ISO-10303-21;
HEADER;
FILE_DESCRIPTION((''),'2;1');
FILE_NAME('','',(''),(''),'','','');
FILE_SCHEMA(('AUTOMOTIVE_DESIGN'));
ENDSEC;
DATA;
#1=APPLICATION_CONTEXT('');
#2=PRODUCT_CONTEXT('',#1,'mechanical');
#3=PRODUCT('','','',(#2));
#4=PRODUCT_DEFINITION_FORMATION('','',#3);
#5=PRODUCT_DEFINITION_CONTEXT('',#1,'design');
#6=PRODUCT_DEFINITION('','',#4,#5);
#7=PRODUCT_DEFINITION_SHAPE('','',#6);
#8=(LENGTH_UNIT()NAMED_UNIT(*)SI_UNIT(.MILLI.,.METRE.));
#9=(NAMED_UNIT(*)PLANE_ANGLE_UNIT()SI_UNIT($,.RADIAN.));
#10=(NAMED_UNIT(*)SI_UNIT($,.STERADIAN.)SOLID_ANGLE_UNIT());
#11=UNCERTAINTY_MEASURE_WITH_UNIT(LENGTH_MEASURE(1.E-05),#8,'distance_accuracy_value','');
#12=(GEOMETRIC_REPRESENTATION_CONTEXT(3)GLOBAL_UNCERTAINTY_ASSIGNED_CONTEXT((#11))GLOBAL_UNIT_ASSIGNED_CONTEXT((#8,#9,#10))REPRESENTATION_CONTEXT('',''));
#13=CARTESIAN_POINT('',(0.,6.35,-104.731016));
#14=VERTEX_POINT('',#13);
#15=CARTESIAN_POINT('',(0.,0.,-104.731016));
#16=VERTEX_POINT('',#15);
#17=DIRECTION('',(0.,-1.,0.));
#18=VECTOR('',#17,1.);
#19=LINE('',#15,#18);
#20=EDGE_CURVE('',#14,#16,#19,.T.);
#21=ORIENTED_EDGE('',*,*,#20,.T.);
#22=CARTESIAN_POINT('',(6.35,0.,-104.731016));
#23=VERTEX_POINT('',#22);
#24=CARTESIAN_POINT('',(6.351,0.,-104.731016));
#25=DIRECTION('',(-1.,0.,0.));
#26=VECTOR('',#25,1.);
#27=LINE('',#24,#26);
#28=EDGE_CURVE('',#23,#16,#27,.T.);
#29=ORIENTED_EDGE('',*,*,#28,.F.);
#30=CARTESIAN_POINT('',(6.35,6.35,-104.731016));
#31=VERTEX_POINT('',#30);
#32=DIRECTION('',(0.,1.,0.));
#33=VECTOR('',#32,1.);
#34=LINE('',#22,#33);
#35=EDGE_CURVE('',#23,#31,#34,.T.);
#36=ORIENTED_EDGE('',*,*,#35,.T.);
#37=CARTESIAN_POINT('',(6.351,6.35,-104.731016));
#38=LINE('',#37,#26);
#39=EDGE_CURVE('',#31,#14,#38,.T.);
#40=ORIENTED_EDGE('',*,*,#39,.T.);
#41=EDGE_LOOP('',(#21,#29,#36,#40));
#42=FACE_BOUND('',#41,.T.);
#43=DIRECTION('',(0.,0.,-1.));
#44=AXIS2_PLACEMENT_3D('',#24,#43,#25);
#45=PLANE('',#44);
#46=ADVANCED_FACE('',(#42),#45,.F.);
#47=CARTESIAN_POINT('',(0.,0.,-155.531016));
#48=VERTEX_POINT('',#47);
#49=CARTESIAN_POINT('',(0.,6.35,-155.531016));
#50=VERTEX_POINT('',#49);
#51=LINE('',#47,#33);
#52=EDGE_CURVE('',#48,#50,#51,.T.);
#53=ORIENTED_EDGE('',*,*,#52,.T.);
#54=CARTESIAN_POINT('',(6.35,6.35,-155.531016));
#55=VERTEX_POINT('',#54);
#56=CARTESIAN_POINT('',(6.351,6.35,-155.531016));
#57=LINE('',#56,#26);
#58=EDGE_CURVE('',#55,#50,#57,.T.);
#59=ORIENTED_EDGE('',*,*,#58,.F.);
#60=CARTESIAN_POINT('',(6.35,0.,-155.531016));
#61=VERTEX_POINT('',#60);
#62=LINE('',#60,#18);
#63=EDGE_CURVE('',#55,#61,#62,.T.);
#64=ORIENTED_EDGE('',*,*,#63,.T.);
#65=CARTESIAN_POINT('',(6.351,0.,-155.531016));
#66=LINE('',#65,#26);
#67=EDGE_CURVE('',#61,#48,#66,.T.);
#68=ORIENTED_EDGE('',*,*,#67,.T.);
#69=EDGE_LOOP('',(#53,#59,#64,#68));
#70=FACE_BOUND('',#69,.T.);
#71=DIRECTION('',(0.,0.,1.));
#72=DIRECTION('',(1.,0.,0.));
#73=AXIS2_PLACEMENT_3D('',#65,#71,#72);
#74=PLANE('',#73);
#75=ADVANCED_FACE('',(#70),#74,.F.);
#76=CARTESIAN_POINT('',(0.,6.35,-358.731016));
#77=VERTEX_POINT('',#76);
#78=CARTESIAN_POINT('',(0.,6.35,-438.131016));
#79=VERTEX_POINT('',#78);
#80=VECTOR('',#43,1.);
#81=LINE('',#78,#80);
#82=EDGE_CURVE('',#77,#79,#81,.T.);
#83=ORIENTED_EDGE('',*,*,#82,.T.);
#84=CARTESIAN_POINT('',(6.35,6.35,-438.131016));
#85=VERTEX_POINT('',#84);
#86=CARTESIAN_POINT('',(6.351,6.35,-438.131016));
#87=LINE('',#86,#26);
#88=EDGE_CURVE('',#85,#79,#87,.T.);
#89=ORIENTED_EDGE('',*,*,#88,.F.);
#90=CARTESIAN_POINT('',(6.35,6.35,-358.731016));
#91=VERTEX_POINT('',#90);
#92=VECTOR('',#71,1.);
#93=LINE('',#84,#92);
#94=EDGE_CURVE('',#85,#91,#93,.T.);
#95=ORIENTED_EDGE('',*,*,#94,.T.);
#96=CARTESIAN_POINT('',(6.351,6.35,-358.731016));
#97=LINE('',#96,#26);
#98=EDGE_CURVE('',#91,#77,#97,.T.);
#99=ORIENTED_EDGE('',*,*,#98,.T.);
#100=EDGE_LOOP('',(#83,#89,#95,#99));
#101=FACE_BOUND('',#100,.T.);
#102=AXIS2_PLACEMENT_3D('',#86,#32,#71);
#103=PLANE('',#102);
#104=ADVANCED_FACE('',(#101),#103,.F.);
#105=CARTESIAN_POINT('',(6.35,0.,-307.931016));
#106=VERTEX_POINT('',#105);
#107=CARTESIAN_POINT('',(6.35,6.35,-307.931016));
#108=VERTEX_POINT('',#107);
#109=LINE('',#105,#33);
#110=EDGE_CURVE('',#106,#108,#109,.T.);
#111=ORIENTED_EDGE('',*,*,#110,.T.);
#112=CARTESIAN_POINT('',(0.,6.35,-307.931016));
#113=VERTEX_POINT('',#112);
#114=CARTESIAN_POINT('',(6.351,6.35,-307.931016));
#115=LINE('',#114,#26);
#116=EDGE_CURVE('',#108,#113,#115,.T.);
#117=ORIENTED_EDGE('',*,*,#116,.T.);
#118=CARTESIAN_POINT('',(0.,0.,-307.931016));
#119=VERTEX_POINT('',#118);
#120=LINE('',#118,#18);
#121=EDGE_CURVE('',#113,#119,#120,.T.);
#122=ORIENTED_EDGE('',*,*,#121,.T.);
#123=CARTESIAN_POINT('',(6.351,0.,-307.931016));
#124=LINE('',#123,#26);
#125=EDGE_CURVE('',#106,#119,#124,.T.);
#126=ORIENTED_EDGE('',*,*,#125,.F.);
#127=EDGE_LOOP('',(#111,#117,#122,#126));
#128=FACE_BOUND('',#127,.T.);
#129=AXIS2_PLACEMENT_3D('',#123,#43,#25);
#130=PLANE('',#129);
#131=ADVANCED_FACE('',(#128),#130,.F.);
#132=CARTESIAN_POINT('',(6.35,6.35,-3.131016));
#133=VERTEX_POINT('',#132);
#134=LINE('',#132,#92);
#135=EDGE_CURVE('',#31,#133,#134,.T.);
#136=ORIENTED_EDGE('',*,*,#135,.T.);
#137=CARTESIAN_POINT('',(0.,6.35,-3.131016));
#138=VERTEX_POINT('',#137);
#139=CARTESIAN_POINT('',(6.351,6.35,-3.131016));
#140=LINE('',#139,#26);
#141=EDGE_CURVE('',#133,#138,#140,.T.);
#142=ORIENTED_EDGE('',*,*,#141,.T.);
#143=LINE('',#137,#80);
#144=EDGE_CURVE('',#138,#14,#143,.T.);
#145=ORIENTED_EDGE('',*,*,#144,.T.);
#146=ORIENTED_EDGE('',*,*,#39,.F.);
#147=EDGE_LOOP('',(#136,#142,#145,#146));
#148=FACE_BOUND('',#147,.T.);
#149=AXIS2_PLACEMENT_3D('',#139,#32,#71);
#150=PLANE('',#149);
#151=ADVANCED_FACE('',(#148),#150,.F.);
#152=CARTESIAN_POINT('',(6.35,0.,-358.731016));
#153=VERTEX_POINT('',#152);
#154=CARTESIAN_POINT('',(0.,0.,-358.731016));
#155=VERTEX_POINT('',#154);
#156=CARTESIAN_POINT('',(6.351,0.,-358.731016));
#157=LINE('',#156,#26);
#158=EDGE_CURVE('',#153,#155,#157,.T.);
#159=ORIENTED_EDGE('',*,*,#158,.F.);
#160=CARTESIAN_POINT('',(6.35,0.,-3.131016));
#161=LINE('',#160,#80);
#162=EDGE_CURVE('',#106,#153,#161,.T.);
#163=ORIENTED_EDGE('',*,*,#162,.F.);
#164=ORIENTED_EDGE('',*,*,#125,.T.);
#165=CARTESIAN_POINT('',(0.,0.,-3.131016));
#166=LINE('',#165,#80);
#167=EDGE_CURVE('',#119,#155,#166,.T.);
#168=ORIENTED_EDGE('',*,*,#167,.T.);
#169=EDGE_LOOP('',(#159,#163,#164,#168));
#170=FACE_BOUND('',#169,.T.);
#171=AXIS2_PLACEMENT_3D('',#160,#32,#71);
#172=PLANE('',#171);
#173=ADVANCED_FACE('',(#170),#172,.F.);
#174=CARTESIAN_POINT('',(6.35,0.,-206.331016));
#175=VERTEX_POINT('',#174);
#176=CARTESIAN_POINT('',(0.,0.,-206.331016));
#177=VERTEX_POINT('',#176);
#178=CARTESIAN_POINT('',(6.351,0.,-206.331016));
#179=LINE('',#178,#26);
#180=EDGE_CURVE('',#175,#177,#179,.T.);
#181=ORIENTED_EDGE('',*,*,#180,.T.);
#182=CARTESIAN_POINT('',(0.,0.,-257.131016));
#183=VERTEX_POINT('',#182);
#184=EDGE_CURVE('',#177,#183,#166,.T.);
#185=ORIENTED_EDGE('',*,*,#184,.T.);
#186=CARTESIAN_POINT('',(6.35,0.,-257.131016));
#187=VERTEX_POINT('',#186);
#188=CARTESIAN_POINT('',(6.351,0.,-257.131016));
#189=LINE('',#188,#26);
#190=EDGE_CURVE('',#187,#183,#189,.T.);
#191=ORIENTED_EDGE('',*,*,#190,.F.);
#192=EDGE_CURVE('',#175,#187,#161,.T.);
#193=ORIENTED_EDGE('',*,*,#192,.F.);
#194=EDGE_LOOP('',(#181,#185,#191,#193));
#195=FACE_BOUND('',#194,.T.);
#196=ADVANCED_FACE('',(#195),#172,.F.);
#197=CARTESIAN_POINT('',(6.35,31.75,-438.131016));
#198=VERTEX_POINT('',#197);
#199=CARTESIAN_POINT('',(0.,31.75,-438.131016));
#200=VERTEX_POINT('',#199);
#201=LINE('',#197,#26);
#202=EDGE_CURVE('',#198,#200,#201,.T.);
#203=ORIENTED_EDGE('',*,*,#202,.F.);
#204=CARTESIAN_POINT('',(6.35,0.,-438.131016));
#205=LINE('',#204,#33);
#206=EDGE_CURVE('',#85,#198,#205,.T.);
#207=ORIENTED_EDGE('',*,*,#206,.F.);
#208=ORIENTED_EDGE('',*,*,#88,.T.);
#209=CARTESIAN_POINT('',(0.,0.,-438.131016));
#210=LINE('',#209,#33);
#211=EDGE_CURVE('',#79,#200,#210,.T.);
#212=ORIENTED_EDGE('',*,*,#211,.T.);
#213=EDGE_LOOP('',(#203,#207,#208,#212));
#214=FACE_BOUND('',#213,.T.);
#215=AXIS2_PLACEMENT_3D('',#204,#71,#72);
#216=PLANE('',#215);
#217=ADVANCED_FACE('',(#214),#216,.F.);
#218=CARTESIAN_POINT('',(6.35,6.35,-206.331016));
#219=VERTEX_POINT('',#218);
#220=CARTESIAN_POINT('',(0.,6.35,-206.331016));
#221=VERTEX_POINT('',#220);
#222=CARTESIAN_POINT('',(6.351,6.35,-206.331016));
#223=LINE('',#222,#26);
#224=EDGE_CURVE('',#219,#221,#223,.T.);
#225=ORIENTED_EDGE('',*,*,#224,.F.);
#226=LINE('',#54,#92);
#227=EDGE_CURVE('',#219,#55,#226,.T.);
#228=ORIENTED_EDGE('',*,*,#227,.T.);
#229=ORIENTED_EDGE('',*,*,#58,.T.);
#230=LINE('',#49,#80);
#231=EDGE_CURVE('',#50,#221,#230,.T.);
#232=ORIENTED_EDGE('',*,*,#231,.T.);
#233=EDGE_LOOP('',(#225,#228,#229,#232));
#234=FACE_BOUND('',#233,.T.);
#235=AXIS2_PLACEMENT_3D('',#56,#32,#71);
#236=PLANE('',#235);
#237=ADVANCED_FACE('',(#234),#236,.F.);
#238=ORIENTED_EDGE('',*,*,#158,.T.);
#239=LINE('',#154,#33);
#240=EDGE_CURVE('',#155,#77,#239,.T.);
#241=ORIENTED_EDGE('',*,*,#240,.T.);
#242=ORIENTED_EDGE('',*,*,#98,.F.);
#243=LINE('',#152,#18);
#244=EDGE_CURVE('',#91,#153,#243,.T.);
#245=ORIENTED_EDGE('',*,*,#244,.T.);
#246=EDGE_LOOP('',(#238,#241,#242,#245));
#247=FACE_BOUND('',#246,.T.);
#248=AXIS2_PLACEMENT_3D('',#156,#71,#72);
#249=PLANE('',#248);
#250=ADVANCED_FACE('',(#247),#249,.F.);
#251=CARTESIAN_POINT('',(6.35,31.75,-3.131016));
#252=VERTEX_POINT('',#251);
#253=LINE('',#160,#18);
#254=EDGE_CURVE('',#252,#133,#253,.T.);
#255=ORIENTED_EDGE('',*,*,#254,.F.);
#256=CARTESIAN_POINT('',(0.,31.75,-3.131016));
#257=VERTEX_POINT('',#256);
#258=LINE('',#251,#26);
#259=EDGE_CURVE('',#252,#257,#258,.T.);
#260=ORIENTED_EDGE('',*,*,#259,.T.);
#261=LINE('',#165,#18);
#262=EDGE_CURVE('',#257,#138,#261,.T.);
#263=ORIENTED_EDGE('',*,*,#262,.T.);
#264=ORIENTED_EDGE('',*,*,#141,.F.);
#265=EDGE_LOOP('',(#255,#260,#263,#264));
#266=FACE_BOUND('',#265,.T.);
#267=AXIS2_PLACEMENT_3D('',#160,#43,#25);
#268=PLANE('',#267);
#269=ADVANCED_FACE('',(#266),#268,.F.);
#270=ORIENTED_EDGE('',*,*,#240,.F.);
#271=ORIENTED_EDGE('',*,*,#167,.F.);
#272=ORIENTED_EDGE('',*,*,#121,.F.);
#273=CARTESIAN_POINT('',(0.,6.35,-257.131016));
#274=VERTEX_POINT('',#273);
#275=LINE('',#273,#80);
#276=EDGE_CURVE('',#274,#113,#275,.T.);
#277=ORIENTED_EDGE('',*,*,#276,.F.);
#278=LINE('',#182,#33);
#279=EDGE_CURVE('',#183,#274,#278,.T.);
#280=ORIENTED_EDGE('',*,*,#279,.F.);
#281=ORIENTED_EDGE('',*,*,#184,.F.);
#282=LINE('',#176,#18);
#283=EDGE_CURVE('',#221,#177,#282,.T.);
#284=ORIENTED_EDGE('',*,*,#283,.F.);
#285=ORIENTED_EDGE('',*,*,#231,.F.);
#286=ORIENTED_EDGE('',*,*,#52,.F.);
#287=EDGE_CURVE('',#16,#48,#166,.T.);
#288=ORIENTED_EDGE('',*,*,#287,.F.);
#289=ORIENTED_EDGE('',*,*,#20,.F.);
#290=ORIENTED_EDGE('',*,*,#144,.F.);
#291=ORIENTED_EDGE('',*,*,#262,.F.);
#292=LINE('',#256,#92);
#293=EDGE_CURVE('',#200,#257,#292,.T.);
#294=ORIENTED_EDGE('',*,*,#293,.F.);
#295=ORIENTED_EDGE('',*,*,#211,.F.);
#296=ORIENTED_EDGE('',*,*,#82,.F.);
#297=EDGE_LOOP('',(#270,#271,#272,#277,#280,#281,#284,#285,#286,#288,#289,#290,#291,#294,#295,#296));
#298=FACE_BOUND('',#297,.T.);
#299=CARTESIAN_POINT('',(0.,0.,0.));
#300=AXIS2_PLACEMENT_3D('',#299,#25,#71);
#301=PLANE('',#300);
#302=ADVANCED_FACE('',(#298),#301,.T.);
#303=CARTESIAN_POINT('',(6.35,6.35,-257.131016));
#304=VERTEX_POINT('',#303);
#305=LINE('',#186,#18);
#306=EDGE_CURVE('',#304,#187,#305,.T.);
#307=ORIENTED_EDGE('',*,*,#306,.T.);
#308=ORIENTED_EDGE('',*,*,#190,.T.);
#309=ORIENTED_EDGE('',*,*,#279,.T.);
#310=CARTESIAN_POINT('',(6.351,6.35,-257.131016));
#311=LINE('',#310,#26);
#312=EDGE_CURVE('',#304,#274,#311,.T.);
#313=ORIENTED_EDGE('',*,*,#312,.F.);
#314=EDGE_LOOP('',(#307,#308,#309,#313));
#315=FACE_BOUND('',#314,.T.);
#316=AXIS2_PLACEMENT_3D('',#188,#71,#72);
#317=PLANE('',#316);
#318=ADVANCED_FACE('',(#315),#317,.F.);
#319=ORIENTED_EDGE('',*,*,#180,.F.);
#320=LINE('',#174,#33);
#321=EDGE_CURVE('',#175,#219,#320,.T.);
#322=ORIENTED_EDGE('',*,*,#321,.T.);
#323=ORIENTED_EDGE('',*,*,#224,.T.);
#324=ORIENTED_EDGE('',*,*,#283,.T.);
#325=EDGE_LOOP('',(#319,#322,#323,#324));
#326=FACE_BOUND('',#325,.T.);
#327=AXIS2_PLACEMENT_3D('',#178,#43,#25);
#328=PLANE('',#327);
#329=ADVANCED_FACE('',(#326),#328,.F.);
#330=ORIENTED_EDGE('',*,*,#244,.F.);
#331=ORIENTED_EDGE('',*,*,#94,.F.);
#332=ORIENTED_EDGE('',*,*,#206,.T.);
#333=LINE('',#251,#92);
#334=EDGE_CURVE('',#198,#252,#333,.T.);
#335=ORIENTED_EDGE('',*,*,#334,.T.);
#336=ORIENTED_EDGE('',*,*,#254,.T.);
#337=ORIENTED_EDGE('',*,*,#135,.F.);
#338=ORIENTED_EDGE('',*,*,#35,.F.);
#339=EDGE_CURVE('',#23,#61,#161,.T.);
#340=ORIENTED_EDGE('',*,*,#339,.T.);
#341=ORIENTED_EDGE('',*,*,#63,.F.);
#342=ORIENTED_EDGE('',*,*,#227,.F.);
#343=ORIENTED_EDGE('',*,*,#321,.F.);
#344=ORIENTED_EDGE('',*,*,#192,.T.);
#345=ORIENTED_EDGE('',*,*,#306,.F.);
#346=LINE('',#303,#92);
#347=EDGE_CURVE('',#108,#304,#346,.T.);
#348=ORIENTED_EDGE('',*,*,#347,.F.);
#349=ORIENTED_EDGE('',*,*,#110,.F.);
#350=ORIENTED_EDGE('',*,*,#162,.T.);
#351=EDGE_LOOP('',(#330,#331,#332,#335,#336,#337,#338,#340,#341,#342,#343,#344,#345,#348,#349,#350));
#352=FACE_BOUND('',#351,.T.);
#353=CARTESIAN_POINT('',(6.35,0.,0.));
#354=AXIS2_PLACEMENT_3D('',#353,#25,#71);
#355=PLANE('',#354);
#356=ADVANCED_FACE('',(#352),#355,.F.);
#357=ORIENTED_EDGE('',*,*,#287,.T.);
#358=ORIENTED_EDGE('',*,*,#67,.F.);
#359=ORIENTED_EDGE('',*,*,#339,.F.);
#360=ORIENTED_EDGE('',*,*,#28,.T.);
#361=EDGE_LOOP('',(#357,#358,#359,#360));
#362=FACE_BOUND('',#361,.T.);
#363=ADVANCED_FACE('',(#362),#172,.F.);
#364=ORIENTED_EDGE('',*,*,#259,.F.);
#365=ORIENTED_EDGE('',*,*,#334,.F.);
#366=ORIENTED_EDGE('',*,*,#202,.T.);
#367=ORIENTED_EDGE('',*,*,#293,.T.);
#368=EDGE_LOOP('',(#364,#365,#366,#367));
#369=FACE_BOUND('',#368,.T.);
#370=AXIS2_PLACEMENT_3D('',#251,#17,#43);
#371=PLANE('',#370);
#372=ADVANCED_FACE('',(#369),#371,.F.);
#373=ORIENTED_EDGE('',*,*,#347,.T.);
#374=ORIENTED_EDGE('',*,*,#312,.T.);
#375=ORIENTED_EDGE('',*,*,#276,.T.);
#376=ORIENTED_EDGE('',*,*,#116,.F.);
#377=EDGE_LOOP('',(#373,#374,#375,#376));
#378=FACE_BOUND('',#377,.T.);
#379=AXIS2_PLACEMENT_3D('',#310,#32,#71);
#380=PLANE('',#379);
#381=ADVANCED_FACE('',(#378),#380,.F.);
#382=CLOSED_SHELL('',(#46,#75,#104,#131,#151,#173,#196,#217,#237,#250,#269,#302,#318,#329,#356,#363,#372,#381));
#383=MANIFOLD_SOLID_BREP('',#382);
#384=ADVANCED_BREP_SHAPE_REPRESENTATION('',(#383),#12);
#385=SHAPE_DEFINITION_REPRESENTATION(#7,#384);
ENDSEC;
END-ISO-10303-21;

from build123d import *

# Parameters (mm, degrees)
SKETCH1_W           = 435
SKETCH1_H           = 31.75
BOSS_EXTRUDE1_DEPTH = 6.35
CUT_EXTRUDE1_REACH  = 441.326
SKETCH2_W           = 101.6
SKETCH2_H           = 6.35
CUT_EXTRUDE2_REACH  = 441.326
SKETCH3_W           = 50.8
SKETCH3_H           = 6.35
SKETCH3_W_2         = 79.4


with BuildPart() as part:
    # Sketch1 → Boss-Extrude1 (new body)
    with BuildSketch(Plane(origin=(0, 0, 0), x_dir=(0, 0, -1), z_dir=(1, 0, 0))):
        with Locations((220.631015664, 15.875)):
            Rectangle(SKETCH1_W, SKETCH1_H)
    extrude(amount=BOSS_EXTRUDE1_DEPTH)

    # Sketch2 → Cut-Extrude1 (cut, up to next)
    with BuildSketch(Plane.ZY, mode=Mode.PRIVATE) as cut_extrude1_sk1:
        with Locations((-53.931015664, 3.175)):
            Rectangle(SKETCH2_W, SKETCH2_H)
    cut_extrude1_tool1 = extrude(cut_extrude1_sk1.sketch, amount=-CUT_EXTRUDE1_REACH, mode=Mode.PRIVATE) & part.part
    add(cut_extrude1_tool1.solids().sort_by_distance((0, 3.175, -53.931016))[0], mode=Mode.SUBTRACT)

    # Sketch3 → Cut-Extrude2 (cut, up to next)
    with BuildSketch(Plane.ZY, mode=Mode.PRIVATE) as cut_extrude2_sk1:
        with Locations((-180.931015664, 3.175)):
            Rectangle(SKETCH3_W, SKETCH3_H)
    cut_extrude2_tool1 = extrude(cut_extrude2_sk1.sketch, amount=-CUT_EXTRUDE2_REACH, mode=Mode.PRIVATE) & part.part
    # Sketch3 → Cut-Extrude2 (cut, up to next)
    with BuildSketch(Plane.ZY, mode=Mode.PRIVATE) as cut_extrude2_sk2:
        with Locations((-282.531015664, 3.175)):
            Rectangle(SKETCH3_W, SKETCH3_H)
    cut_extrude2_tool2 = extrude(cut_extrude2_sk2.sketch, amount=-CUT_EXTRUDE2_REACH, mode=Mode.PRIVATE) & part.part
    # Sketch3 → Cut-Extrude2 (cut, up to next)
    with BuildSketch(Plane.ZY, mode=Mode.PRIVATE) as cut_extrude2_sk3:
        with Locations((-398.431015664, 3.175)):
            Rectangle(SKETCH3_W_2, SKETCH3_H)
    cut_extrude2_tool3 = extrude(cut_extrude2_sk3.sketch, amount=-CUT_EXTRUDE2_REACH, mode=Mode.PRIVATE) & part.part
    add(cut_extrude2_tool1.solids().sort_by_distance((0, 3.175, -180.931016))[0], mode=Mode.SUBTRACT)
    add(cut_extrude2_tool2.solids().sort_by_distance((0, 3.175, -282.531016))[0], mode=Mode.SUBTRACT)
    add(cut_extrude2_tool3.solids().sort_by_distance((0, 3.175, -398.431016))[0], mode=Mode.SUBTRACT)


solid = part.part
